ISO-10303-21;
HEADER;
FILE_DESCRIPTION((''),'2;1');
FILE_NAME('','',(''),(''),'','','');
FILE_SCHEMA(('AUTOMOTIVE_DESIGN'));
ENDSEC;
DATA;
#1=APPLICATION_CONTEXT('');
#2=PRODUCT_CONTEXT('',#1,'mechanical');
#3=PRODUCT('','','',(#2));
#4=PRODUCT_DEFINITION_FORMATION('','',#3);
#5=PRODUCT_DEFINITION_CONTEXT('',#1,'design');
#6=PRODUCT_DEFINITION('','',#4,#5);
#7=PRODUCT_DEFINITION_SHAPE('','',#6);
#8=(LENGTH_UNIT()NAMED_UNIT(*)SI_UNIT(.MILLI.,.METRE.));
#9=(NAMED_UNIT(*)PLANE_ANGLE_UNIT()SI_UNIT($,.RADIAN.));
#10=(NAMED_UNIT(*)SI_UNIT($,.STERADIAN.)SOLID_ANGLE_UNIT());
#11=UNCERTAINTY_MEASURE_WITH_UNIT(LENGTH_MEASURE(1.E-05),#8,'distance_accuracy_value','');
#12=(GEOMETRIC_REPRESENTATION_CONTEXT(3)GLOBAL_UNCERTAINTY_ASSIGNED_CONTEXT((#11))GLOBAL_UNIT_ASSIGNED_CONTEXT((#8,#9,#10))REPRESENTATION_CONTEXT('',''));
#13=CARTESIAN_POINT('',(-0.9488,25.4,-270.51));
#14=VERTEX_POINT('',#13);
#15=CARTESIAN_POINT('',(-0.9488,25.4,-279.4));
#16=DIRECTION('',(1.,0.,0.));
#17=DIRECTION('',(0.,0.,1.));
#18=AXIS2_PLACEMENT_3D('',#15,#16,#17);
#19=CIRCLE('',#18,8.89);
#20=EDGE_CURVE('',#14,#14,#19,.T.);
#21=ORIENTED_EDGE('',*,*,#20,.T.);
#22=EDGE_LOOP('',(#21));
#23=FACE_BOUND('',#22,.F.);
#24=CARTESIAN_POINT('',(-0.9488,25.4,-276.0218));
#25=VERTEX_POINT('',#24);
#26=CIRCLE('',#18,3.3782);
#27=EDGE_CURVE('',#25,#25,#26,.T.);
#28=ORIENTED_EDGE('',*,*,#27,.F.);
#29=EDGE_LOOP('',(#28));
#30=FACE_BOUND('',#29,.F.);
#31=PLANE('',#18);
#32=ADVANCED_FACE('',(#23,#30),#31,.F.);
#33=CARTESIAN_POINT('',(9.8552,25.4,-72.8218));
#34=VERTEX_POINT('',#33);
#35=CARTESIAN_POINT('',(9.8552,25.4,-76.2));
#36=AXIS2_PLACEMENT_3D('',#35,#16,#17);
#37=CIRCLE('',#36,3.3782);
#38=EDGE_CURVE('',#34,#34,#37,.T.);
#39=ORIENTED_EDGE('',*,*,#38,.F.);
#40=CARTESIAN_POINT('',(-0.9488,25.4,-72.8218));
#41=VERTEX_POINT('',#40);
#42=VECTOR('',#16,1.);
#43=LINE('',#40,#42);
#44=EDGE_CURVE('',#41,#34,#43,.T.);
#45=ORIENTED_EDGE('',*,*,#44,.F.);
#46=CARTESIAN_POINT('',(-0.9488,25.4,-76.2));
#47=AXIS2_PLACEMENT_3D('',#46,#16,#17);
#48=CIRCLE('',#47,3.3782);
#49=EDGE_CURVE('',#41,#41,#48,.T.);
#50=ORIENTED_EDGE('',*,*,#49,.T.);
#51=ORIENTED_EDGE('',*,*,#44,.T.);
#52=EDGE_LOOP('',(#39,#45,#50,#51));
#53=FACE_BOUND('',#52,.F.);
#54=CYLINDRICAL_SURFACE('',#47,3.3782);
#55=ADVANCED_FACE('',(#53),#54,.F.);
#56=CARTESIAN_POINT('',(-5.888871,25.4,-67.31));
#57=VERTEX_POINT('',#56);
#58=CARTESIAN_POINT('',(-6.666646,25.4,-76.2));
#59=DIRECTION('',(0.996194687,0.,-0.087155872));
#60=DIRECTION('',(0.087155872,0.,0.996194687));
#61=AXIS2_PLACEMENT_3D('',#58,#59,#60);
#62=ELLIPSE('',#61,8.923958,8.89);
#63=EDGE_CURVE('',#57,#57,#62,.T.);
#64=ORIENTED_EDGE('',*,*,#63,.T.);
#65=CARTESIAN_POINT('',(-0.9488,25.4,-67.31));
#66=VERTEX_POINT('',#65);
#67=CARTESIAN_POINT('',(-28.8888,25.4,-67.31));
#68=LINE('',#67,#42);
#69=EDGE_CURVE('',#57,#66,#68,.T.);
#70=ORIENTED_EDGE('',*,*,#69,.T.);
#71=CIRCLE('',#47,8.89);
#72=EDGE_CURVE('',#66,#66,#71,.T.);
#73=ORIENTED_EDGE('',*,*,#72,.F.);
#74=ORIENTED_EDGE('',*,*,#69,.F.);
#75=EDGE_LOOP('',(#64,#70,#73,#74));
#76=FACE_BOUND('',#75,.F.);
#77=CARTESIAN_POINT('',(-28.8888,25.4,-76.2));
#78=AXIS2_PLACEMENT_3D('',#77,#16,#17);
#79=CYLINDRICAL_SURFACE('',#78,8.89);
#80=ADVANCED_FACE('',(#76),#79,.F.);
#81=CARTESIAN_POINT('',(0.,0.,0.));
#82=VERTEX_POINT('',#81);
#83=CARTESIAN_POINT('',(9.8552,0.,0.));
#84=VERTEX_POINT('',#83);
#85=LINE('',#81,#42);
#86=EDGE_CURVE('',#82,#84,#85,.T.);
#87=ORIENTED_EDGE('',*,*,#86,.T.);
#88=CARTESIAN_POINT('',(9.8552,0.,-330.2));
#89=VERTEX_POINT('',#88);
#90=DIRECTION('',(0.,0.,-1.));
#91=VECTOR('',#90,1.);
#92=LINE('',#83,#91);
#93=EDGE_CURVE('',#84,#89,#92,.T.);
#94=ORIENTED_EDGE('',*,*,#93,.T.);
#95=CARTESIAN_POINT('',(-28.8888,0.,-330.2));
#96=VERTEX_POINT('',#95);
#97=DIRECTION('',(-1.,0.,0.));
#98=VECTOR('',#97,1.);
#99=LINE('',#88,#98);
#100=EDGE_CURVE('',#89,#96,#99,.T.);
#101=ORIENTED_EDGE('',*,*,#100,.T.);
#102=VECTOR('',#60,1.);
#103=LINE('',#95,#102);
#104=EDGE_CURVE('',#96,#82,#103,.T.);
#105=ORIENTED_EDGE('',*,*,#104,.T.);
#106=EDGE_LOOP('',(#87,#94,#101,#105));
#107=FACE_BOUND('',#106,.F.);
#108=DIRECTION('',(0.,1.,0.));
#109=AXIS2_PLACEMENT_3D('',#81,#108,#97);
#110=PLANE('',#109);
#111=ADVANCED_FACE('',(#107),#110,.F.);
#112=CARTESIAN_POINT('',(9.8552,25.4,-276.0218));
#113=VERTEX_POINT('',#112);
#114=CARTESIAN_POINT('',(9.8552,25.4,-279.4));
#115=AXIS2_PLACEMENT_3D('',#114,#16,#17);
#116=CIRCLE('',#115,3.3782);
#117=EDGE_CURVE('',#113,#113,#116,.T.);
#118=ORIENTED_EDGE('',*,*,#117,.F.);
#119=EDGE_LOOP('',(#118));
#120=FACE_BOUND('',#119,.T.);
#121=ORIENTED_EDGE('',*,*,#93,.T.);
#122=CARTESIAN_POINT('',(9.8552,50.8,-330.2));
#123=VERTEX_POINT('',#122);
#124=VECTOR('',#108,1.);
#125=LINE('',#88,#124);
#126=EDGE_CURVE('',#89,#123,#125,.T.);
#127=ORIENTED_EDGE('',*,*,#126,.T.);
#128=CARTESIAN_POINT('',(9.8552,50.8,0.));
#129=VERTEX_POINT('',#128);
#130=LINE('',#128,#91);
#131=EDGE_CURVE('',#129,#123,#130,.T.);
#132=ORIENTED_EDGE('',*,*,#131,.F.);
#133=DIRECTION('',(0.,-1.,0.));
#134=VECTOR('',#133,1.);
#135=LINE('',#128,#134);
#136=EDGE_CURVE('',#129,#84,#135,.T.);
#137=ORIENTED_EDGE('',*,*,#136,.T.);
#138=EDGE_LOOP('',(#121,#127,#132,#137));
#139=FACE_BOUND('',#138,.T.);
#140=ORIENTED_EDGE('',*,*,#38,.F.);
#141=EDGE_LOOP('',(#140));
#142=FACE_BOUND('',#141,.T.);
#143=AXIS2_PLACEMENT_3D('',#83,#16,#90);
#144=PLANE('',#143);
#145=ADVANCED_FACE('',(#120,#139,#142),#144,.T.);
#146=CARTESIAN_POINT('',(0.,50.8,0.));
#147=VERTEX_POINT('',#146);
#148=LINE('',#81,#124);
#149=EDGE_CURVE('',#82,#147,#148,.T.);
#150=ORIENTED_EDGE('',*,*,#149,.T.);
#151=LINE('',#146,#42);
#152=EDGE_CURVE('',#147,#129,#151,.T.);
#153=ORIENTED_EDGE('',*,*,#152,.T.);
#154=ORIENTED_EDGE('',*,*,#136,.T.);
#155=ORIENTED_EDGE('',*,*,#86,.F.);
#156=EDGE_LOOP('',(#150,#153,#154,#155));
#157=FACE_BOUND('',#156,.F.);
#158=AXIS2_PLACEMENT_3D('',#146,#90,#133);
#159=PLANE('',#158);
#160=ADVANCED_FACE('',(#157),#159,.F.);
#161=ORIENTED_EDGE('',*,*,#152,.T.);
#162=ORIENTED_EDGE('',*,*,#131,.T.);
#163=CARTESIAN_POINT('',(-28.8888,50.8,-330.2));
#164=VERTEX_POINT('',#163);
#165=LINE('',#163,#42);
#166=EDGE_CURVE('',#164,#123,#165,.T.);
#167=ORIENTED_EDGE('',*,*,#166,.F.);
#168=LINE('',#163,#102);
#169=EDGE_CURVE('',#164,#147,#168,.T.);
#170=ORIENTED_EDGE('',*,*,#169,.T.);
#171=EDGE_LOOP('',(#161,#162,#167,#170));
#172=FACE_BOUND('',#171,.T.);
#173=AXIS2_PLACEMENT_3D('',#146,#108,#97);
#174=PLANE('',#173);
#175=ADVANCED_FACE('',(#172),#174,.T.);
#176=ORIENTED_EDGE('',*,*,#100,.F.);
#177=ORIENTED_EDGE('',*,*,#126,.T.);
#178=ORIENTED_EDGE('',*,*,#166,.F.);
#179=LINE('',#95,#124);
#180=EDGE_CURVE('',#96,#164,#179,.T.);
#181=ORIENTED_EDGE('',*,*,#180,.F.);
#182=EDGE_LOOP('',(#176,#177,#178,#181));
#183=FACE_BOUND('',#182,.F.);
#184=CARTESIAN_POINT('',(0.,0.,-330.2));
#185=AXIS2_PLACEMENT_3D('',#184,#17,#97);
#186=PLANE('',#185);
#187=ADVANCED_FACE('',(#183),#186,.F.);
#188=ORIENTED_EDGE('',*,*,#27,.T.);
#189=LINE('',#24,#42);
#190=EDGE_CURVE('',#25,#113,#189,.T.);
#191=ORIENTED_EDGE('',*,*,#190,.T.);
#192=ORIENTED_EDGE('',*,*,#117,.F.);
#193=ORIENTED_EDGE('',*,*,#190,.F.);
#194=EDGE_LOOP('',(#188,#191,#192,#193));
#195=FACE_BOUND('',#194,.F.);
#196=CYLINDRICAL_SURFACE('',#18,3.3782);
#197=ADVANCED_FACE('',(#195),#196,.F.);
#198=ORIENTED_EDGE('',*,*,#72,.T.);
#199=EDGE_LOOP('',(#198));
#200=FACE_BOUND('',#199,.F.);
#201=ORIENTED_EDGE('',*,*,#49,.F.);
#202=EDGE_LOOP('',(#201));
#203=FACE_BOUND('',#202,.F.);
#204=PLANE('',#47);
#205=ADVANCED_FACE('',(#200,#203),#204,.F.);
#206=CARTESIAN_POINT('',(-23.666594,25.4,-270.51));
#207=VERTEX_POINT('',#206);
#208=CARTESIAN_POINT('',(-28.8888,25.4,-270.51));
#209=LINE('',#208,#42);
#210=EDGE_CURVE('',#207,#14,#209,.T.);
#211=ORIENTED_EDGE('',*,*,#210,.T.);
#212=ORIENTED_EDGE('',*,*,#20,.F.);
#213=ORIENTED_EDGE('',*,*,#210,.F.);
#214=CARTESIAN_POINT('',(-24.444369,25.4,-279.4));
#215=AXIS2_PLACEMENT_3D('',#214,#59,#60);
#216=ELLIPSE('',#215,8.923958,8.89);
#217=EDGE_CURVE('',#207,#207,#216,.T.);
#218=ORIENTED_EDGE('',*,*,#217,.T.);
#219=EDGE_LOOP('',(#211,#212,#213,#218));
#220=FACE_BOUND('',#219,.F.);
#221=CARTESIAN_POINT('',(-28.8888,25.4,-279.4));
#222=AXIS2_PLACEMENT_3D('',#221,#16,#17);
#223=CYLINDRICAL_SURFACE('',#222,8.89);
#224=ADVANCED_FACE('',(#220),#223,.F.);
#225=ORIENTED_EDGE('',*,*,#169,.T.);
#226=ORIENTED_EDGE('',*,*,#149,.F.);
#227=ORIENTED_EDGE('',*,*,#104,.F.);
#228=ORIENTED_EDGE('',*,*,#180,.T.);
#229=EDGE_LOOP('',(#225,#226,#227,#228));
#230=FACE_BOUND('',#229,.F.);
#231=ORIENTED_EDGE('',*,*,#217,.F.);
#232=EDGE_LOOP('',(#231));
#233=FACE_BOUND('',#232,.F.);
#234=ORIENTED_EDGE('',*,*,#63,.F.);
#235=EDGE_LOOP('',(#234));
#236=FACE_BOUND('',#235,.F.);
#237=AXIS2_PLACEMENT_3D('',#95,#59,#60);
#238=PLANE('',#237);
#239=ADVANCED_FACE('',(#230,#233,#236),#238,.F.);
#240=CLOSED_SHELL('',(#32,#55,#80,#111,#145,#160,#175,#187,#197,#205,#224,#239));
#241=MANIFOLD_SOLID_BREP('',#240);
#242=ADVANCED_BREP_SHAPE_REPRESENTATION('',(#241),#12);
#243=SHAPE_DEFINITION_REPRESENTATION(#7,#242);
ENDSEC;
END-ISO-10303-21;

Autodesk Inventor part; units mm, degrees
ref_plane "YZ Plane" through (0, 0, 0) normal (1, 0, 0) x (0, 1, 0)
ref_plane "XZ Plane" through (0, 0, 0) normal (0, 1, 0) x (-1, 0, 0)
sketch "Sketch1" plane through (0, 0, 0) normal (0, 1, 0) x (-1, 0, 0)
  line L0 (0, 0) -> (0, -330.2)
  line L1 (0, -330.2) -> (0, -122.0086)
  line L2 (0, -330.2) -> (28.8888, -330.2)
  line L3 (28.8888, -330.2) -> (0, 0)
  dimension "d0" = 330.2
  dimension "d1" = 5
extrude "Extrusion1" add sketch "Sketch1" along normal blind 50.8
ref_plane "Work Plane1" through (-28.8888, 50.8, -330.2) normal (1, 0, 0) x (0, 0, -1)
sketch "Sketch2" plane through (0, 0, 0) normal (1, 0, 0) x (0, 0, -1)
  line L0 (0, 0) -> (330.2, 0) projected
  line L1 (0, 50.8) -> (330.2, 50.8) projected
  line L2 (0, 0) -> (330.2, 0)
  line L3 (330.2, 0) -> (330.2, 50.8)
  line L4 (330.2, 50.8) -> (0, 50.8)
  line L5 (0, 50.8) -> (0, 0)
extrude "Extrusion2" add sketch "Sketch2" along normal blind 9.8552
sketch "Sketch4" plane through (-28.8888, 50.8, -330.2) normal (1, 0, 0) x (0, 0, -1)
  line L0 (0, -50.8) -> (0, 0) construction
  line L1 (0, -25.4) -> (-279.4, -25.4) construction
  line L2 (0, -50.8) -> (-330.2, -50.8) construction
  line L3 (-330.2, -50.8) -> (-330.2, 0) construction
  point P0 (-254, -25.4)
  point P1 (-50.8, -25.4)
  point P2 (-330.2, 0)
  dimension "d16" = 25.4
  dimension "d17" = 76.2
  dimension "d18" = 279.4
hole "Hole2" at (-28.8888, 25.4, -76.2) at (-28.8888, 25.4, -279.4) direction (1, 0, 0) diameter 6.7564 end through all counterbore diameter 17.78 counterbore depth 27.94 clearance for "Socket Head Cap Screw" size "1/4" standard "Ansi Unified Screw Threads"
equation "\"d0\" = lengthOfFixture"
equation "\"d1\" = cutAngle"
equation "\"d2\" = heightOfJig"
equation "\"d4\" = addedDepthToSupportBolts"
equation "\"d16\" = heightOfBoltHolt"
equation "\"d17\" = bottomToFirstHole"
equation "\"d18\" = bottomToSecondHole"
equation "\"lengthOfFixture\" = 330.2"
equation "\"cutAngle\" = 5deg"
equation "\"bottomToFirstHole\" = 76.2"
equation "\"distanceBetweenBolts\" = 203.2"
equation "\"bottomToSecondHole\" = bottomToFirstHole + distanceBetweenBolts"
equation "\"heightOfBoltHolt\" = 25.4"
equation "\"boltSize\" = 6.35"
equation "\"heightOfJig\" = 50.8"
equation "\"addedDepthToSupportBolts\" = 9.8552"
properties part number "jigForRipCuts"
